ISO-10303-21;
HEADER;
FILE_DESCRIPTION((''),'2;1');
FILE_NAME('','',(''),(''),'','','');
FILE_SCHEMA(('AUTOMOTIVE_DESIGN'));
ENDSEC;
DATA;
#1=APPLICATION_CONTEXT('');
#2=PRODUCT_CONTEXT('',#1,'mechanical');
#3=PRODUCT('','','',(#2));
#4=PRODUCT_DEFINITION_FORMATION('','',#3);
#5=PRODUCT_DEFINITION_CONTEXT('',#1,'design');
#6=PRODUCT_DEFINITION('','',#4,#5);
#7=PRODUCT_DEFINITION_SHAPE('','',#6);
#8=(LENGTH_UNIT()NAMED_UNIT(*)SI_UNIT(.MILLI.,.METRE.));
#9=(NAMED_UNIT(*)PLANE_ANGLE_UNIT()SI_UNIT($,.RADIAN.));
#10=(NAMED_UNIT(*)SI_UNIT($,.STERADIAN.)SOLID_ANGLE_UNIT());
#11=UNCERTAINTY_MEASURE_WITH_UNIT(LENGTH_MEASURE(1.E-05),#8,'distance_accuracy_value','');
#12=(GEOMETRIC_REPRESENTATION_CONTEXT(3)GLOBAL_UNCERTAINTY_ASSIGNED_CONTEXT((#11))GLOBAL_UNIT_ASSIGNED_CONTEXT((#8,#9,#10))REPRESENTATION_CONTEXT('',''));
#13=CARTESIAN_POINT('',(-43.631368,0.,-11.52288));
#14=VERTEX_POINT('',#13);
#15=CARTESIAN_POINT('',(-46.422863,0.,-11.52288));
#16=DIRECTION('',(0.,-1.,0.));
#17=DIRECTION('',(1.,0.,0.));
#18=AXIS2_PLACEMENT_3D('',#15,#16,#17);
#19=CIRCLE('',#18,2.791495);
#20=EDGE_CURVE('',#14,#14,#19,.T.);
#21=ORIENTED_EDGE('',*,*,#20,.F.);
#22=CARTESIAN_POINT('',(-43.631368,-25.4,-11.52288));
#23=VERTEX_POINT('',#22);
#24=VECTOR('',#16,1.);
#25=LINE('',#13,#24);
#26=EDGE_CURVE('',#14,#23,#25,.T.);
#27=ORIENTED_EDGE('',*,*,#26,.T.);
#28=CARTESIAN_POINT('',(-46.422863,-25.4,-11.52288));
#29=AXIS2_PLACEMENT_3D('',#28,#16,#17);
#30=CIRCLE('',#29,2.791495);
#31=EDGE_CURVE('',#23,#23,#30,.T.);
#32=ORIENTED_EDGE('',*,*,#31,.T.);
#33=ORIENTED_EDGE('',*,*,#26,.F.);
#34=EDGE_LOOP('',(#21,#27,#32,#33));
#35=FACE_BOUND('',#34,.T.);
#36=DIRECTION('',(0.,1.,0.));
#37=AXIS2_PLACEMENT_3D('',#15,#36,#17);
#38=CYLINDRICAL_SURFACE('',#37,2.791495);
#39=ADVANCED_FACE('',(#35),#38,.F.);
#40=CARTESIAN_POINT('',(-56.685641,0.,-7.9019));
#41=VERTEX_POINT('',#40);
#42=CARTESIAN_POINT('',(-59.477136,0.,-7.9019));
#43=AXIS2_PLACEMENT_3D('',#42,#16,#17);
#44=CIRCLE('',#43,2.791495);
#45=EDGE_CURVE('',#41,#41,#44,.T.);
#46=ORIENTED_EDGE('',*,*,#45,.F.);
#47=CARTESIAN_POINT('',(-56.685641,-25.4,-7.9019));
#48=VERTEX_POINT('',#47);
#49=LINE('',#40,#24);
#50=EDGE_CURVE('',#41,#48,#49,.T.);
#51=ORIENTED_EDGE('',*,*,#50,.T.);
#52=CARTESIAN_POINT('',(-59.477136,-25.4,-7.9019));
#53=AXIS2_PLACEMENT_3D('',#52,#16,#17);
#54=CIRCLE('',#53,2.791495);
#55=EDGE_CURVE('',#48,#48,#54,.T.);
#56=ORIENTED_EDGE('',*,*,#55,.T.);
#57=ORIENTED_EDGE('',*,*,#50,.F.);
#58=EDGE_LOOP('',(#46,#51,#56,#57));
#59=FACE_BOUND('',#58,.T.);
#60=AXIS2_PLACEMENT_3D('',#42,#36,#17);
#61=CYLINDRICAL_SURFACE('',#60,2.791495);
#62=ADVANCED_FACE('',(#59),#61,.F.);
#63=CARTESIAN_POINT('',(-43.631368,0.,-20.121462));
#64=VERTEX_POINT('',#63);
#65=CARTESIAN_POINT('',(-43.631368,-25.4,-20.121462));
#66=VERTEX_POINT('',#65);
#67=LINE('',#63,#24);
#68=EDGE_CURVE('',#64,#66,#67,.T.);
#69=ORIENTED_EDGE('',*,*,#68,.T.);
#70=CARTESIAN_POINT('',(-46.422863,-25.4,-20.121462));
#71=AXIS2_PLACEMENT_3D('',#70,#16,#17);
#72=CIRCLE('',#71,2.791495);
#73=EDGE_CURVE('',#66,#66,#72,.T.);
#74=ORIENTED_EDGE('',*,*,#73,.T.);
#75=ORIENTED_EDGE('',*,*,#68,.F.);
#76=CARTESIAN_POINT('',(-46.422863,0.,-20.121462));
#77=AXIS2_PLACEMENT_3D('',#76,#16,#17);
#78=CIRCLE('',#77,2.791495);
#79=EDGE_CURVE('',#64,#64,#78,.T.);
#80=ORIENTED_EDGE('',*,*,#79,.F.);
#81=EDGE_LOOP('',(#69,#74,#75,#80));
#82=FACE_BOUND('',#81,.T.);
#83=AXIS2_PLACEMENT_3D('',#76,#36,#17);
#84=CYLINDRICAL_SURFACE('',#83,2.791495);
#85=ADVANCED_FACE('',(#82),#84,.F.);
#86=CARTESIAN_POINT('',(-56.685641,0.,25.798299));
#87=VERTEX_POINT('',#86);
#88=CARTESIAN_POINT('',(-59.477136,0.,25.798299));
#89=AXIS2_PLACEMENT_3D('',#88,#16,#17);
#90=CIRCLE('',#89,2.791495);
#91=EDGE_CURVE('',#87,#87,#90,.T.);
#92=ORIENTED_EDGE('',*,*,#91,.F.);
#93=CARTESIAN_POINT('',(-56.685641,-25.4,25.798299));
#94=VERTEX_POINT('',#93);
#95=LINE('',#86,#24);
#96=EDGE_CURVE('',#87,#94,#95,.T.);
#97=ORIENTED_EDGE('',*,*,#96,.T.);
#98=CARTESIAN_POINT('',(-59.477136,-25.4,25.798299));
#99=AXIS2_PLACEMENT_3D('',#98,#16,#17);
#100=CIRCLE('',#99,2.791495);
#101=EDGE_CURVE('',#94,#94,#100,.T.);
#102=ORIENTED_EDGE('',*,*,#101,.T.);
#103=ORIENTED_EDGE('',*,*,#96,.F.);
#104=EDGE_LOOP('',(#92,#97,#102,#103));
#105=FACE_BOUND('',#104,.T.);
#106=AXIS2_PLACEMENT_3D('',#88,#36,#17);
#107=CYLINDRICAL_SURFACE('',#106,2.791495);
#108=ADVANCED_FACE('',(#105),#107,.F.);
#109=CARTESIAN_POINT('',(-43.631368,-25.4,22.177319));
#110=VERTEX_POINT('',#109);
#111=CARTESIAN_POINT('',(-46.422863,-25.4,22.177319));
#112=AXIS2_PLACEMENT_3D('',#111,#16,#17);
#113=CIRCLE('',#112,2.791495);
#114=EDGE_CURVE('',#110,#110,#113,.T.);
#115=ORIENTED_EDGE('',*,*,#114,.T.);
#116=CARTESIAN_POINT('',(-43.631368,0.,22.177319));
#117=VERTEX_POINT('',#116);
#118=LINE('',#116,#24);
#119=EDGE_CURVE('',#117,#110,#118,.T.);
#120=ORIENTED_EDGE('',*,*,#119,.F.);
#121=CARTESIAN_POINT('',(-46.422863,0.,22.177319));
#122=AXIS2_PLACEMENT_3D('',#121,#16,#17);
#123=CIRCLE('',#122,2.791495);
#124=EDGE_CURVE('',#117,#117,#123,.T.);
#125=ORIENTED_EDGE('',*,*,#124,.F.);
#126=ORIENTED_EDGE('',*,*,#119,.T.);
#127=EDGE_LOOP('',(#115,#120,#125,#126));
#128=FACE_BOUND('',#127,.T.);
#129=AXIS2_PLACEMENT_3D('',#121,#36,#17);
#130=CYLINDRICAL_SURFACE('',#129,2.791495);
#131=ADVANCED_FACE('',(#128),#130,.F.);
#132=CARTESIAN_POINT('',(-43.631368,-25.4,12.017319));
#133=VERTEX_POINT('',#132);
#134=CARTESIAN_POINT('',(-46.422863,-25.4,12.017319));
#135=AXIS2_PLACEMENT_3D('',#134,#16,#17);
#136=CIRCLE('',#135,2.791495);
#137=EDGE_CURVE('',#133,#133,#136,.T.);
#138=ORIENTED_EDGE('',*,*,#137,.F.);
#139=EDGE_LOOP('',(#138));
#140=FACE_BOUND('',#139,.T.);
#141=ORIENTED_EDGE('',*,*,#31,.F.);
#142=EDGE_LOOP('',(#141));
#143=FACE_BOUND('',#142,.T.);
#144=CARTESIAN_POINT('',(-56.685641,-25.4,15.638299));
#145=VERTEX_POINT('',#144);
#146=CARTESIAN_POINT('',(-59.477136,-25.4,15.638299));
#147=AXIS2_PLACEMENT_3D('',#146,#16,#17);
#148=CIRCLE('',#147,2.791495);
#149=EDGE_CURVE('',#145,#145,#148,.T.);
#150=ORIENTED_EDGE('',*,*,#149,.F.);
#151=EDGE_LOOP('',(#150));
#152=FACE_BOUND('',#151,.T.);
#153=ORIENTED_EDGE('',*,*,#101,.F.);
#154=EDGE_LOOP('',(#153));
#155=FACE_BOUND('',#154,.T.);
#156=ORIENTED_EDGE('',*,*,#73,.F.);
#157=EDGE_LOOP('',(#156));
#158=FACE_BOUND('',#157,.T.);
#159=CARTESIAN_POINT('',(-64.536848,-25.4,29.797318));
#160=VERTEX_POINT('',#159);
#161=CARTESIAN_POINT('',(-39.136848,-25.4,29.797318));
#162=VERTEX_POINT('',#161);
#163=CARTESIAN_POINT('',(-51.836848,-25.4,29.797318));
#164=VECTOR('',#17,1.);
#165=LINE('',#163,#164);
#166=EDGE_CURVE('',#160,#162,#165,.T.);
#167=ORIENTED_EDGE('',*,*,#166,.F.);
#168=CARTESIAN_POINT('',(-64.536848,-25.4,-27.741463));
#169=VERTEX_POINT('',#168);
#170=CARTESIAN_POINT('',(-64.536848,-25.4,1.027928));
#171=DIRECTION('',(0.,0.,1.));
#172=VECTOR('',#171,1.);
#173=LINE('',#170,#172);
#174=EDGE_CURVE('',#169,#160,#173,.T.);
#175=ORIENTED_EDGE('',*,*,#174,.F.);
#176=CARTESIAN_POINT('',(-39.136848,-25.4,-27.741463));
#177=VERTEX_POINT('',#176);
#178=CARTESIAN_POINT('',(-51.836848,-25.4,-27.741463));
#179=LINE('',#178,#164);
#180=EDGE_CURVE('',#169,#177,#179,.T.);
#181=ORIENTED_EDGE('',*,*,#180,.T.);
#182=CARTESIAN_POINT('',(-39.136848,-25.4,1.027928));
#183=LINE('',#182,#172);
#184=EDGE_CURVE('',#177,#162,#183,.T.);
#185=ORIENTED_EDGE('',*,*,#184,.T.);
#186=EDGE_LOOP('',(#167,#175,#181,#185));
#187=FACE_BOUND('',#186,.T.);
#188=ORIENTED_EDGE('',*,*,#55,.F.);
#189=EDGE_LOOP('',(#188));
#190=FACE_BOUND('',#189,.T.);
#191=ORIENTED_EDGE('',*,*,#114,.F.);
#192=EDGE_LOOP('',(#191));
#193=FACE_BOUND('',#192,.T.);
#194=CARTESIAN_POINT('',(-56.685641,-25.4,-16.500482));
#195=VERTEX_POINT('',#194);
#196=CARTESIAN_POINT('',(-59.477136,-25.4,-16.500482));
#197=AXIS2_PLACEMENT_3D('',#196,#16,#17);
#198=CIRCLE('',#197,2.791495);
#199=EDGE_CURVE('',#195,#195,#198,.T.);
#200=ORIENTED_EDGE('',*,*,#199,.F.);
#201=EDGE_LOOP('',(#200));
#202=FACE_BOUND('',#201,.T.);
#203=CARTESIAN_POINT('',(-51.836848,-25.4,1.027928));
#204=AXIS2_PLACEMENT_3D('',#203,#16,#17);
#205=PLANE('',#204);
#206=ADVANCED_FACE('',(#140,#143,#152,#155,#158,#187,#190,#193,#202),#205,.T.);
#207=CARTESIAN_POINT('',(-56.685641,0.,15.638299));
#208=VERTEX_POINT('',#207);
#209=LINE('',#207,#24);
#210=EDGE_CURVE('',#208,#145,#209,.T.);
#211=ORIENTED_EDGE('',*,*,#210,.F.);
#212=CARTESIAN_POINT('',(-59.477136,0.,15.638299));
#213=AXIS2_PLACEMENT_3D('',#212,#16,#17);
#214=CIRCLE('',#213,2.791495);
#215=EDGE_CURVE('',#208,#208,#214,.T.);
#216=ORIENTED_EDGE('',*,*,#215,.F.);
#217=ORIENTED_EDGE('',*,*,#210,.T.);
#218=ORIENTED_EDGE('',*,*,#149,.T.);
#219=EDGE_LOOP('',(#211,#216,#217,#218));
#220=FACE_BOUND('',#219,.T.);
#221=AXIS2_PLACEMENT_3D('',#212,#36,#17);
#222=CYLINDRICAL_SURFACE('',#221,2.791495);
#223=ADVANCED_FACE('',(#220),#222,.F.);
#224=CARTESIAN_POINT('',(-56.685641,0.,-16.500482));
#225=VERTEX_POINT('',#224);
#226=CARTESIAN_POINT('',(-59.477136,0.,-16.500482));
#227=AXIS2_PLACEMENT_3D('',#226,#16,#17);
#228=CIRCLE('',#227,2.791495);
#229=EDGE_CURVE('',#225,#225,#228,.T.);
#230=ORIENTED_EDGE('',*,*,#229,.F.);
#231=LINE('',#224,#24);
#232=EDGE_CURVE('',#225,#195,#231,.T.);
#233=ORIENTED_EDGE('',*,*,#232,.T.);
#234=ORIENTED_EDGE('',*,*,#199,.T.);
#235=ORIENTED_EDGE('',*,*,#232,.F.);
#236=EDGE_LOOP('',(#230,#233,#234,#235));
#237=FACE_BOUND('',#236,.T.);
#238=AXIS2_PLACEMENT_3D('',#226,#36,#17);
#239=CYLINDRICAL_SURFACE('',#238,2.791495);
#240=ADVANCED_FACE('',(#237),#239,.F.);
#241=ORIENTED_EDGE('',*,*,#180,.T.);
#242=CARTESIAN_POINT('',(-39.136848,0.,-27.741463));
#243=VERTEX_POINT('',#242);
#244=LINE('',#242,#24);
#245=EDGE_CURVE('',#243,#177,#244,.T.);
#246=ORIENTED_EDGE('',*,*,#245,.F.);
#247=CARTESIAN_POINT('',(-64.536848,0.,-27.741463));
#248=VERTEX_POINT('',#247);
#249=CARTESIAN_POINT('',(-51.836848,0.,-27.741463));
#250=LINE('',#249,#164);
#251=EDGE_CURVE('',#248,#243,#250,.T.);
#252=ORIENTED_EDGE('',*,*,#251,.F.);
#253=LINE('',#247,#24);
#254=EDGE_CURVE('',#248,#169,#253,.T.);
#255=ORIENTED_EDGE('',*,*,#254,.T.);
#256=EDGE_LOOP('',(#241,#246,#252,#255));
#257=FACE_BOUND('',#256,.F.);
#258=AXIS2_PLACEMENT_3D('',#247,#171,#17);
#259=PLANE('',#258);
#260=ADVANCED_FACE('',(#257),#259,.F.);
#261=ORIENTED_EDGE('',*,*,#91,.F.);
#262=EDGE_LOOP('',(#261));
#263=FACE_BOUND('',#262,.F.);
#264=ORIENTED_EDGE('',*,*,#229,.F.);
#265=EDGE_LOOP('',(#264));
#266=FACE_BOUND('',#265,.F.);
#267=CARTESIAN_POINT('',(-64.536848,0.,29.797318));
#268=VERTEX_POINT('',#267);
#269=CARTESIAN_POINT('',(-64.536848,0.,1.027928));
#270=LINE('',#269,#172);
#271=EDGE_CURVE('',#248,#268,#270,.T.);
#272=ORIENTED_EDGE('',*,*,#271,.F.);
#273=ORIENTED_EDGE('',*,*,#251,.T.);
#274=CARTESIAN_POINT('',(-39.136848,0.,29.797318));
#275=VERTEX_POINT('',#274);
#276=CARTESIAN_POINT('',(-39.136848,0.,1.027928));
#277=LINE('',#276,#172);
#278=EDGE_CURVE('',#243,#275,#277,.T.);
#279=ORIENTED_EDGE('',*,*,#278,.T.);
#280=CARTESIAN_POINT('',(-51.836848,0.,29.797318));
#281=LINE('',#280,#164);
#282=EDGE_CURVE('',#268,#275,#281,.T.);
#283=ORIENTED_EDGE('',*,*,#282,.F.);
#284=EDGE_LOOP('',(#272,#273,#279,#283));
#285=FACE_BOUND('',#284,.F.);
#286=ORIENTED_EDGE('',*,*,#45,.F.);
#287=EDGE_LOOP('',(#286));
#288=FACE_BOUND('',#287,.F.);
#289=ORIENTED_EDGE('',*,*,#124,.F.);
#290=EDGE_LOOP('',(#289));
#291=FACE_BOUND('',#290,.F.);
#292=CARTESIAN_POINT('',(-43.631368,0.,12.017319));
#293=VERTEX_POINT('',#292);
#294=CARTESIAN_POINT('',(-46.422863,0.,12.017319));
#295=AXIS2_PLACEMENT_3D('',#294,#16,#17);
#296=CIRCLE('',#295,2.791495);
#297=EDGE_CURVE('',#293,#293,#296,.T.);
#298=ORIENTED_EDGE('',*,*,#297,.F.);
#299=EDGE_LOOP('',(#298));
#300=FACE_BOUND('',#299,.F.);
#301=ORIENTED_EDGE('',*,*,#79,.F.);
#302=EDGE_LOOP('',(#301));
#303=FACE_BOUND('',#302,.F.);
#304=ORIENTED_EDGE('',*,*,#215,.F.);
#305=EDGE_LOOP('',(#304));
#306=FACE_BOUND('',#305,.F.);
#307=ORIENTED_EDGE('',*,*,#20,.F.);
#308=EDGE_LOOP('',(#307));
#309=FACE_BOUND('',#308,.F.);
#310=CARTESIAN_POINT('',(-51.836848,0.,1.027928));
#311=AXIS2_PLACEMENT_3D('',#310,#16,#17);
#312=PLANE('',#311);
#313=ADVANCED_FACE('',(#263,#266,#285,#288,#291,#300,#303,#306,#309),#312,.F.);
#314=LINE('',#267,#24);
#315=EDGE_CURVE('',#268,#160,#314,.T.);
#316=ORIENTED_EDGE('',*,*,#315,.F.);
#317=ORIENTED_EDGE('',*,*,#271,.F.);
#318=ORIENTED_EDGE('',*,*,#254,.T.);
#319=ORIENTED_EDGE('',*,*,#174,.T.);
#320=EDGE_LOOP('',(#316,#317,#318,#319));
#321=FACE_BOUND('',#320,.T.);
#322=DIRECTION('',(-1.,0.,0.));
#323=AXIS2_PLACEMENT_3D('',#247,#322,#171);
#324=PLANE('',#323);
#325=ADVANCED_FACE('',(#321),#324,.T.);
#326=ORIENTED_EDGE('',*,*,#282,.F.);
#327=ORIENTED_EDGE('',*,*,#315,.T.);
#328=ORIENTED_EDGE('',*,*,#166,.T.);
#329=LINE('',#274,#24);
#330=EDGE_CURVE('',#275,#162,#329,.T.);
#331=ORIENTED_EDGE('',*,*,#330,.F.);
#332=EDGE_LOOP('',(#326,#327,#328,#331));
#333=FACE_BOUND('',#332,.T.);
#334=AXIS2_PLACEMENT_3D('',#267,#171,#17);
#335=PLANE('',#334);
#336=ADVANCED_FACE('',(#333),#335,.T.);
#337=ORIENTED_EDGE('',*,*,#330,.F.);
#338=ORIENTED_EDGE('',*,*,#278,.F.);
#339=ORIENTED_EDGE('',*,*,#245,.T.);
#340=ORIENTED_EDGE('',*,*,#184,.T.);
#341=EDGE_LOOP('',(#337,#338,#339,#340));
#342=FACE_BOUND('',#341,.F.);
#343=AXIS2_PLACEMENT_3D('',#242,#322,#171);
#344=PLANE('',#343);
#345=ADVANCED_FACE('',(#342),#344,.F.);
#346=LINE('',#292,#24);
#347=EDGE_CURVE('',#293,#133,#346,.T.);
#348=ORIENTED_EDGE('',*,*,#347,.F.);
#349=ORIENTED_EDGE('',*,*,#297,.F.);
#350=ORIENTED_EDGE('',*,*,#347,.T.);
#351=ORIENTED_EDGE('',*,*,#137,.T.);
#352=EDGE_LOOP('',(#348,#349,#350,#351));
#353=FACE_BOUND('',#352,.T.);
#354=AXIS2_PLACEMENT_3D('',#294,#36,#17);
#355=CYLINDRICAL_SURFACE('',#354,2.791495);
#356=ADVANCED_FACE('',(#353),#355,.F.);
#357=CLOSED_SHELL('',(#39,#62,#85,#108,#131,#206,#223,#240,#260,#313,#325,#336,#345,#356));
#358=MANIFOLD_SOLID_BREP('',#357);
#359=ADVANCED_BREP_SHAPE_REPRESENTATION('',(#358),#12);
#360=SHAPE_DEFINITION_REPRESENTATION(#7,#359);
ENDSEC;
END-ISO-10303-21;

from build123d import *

# Parameters (mm, degrees)
F0_W     = 25.4
F0_H     = 57.538781
F0_R     = 2.791495
F1_DEPTH = 25.4


with BuildPart() as f1:
    # F0 (on Front) → F1 (new body)
    with BuildSketch(Plane.XZ):
        with Locations((-51.836848, 1.027928)):
            Rectangle(F0_W, F0_H)
        with Locations((-59.477136, -16.500482)):
            Circle(F0_R, mode=Mode.SUBTRACT)
        with Locations((-59.477136, -7.9019)):
            Circle(F0_R, mode=Mode.SUBTRACT)
        with Locations((-46.422863, -20.121462)):
            Circle(F0_R, mode=Mode.SUBTRACT)
        with Locations((-46.422863, -11.52288)):
            Circle(F0_R, mode=Mode.SUBTRACT)
        with Locations((-59.477136, 15.638299)):
            Circle(F0_R, mode=Mode.SUBTRACT)
        with Locations((-59.477136, 25.798299)):
            Circle(F0_R, mode=Mode.SUBTRACT)
        with Locations((-46.422863, 12.017319)):
            Circle(F0_R, mode=Mode.SUBTRACT)
        with Locations((-46.422863, 22.177319)):
            Circle(F0_R, mode=Mode.SUBTRACT)
    extrude(amount=F1_DEPTH)


solid = f1.part
